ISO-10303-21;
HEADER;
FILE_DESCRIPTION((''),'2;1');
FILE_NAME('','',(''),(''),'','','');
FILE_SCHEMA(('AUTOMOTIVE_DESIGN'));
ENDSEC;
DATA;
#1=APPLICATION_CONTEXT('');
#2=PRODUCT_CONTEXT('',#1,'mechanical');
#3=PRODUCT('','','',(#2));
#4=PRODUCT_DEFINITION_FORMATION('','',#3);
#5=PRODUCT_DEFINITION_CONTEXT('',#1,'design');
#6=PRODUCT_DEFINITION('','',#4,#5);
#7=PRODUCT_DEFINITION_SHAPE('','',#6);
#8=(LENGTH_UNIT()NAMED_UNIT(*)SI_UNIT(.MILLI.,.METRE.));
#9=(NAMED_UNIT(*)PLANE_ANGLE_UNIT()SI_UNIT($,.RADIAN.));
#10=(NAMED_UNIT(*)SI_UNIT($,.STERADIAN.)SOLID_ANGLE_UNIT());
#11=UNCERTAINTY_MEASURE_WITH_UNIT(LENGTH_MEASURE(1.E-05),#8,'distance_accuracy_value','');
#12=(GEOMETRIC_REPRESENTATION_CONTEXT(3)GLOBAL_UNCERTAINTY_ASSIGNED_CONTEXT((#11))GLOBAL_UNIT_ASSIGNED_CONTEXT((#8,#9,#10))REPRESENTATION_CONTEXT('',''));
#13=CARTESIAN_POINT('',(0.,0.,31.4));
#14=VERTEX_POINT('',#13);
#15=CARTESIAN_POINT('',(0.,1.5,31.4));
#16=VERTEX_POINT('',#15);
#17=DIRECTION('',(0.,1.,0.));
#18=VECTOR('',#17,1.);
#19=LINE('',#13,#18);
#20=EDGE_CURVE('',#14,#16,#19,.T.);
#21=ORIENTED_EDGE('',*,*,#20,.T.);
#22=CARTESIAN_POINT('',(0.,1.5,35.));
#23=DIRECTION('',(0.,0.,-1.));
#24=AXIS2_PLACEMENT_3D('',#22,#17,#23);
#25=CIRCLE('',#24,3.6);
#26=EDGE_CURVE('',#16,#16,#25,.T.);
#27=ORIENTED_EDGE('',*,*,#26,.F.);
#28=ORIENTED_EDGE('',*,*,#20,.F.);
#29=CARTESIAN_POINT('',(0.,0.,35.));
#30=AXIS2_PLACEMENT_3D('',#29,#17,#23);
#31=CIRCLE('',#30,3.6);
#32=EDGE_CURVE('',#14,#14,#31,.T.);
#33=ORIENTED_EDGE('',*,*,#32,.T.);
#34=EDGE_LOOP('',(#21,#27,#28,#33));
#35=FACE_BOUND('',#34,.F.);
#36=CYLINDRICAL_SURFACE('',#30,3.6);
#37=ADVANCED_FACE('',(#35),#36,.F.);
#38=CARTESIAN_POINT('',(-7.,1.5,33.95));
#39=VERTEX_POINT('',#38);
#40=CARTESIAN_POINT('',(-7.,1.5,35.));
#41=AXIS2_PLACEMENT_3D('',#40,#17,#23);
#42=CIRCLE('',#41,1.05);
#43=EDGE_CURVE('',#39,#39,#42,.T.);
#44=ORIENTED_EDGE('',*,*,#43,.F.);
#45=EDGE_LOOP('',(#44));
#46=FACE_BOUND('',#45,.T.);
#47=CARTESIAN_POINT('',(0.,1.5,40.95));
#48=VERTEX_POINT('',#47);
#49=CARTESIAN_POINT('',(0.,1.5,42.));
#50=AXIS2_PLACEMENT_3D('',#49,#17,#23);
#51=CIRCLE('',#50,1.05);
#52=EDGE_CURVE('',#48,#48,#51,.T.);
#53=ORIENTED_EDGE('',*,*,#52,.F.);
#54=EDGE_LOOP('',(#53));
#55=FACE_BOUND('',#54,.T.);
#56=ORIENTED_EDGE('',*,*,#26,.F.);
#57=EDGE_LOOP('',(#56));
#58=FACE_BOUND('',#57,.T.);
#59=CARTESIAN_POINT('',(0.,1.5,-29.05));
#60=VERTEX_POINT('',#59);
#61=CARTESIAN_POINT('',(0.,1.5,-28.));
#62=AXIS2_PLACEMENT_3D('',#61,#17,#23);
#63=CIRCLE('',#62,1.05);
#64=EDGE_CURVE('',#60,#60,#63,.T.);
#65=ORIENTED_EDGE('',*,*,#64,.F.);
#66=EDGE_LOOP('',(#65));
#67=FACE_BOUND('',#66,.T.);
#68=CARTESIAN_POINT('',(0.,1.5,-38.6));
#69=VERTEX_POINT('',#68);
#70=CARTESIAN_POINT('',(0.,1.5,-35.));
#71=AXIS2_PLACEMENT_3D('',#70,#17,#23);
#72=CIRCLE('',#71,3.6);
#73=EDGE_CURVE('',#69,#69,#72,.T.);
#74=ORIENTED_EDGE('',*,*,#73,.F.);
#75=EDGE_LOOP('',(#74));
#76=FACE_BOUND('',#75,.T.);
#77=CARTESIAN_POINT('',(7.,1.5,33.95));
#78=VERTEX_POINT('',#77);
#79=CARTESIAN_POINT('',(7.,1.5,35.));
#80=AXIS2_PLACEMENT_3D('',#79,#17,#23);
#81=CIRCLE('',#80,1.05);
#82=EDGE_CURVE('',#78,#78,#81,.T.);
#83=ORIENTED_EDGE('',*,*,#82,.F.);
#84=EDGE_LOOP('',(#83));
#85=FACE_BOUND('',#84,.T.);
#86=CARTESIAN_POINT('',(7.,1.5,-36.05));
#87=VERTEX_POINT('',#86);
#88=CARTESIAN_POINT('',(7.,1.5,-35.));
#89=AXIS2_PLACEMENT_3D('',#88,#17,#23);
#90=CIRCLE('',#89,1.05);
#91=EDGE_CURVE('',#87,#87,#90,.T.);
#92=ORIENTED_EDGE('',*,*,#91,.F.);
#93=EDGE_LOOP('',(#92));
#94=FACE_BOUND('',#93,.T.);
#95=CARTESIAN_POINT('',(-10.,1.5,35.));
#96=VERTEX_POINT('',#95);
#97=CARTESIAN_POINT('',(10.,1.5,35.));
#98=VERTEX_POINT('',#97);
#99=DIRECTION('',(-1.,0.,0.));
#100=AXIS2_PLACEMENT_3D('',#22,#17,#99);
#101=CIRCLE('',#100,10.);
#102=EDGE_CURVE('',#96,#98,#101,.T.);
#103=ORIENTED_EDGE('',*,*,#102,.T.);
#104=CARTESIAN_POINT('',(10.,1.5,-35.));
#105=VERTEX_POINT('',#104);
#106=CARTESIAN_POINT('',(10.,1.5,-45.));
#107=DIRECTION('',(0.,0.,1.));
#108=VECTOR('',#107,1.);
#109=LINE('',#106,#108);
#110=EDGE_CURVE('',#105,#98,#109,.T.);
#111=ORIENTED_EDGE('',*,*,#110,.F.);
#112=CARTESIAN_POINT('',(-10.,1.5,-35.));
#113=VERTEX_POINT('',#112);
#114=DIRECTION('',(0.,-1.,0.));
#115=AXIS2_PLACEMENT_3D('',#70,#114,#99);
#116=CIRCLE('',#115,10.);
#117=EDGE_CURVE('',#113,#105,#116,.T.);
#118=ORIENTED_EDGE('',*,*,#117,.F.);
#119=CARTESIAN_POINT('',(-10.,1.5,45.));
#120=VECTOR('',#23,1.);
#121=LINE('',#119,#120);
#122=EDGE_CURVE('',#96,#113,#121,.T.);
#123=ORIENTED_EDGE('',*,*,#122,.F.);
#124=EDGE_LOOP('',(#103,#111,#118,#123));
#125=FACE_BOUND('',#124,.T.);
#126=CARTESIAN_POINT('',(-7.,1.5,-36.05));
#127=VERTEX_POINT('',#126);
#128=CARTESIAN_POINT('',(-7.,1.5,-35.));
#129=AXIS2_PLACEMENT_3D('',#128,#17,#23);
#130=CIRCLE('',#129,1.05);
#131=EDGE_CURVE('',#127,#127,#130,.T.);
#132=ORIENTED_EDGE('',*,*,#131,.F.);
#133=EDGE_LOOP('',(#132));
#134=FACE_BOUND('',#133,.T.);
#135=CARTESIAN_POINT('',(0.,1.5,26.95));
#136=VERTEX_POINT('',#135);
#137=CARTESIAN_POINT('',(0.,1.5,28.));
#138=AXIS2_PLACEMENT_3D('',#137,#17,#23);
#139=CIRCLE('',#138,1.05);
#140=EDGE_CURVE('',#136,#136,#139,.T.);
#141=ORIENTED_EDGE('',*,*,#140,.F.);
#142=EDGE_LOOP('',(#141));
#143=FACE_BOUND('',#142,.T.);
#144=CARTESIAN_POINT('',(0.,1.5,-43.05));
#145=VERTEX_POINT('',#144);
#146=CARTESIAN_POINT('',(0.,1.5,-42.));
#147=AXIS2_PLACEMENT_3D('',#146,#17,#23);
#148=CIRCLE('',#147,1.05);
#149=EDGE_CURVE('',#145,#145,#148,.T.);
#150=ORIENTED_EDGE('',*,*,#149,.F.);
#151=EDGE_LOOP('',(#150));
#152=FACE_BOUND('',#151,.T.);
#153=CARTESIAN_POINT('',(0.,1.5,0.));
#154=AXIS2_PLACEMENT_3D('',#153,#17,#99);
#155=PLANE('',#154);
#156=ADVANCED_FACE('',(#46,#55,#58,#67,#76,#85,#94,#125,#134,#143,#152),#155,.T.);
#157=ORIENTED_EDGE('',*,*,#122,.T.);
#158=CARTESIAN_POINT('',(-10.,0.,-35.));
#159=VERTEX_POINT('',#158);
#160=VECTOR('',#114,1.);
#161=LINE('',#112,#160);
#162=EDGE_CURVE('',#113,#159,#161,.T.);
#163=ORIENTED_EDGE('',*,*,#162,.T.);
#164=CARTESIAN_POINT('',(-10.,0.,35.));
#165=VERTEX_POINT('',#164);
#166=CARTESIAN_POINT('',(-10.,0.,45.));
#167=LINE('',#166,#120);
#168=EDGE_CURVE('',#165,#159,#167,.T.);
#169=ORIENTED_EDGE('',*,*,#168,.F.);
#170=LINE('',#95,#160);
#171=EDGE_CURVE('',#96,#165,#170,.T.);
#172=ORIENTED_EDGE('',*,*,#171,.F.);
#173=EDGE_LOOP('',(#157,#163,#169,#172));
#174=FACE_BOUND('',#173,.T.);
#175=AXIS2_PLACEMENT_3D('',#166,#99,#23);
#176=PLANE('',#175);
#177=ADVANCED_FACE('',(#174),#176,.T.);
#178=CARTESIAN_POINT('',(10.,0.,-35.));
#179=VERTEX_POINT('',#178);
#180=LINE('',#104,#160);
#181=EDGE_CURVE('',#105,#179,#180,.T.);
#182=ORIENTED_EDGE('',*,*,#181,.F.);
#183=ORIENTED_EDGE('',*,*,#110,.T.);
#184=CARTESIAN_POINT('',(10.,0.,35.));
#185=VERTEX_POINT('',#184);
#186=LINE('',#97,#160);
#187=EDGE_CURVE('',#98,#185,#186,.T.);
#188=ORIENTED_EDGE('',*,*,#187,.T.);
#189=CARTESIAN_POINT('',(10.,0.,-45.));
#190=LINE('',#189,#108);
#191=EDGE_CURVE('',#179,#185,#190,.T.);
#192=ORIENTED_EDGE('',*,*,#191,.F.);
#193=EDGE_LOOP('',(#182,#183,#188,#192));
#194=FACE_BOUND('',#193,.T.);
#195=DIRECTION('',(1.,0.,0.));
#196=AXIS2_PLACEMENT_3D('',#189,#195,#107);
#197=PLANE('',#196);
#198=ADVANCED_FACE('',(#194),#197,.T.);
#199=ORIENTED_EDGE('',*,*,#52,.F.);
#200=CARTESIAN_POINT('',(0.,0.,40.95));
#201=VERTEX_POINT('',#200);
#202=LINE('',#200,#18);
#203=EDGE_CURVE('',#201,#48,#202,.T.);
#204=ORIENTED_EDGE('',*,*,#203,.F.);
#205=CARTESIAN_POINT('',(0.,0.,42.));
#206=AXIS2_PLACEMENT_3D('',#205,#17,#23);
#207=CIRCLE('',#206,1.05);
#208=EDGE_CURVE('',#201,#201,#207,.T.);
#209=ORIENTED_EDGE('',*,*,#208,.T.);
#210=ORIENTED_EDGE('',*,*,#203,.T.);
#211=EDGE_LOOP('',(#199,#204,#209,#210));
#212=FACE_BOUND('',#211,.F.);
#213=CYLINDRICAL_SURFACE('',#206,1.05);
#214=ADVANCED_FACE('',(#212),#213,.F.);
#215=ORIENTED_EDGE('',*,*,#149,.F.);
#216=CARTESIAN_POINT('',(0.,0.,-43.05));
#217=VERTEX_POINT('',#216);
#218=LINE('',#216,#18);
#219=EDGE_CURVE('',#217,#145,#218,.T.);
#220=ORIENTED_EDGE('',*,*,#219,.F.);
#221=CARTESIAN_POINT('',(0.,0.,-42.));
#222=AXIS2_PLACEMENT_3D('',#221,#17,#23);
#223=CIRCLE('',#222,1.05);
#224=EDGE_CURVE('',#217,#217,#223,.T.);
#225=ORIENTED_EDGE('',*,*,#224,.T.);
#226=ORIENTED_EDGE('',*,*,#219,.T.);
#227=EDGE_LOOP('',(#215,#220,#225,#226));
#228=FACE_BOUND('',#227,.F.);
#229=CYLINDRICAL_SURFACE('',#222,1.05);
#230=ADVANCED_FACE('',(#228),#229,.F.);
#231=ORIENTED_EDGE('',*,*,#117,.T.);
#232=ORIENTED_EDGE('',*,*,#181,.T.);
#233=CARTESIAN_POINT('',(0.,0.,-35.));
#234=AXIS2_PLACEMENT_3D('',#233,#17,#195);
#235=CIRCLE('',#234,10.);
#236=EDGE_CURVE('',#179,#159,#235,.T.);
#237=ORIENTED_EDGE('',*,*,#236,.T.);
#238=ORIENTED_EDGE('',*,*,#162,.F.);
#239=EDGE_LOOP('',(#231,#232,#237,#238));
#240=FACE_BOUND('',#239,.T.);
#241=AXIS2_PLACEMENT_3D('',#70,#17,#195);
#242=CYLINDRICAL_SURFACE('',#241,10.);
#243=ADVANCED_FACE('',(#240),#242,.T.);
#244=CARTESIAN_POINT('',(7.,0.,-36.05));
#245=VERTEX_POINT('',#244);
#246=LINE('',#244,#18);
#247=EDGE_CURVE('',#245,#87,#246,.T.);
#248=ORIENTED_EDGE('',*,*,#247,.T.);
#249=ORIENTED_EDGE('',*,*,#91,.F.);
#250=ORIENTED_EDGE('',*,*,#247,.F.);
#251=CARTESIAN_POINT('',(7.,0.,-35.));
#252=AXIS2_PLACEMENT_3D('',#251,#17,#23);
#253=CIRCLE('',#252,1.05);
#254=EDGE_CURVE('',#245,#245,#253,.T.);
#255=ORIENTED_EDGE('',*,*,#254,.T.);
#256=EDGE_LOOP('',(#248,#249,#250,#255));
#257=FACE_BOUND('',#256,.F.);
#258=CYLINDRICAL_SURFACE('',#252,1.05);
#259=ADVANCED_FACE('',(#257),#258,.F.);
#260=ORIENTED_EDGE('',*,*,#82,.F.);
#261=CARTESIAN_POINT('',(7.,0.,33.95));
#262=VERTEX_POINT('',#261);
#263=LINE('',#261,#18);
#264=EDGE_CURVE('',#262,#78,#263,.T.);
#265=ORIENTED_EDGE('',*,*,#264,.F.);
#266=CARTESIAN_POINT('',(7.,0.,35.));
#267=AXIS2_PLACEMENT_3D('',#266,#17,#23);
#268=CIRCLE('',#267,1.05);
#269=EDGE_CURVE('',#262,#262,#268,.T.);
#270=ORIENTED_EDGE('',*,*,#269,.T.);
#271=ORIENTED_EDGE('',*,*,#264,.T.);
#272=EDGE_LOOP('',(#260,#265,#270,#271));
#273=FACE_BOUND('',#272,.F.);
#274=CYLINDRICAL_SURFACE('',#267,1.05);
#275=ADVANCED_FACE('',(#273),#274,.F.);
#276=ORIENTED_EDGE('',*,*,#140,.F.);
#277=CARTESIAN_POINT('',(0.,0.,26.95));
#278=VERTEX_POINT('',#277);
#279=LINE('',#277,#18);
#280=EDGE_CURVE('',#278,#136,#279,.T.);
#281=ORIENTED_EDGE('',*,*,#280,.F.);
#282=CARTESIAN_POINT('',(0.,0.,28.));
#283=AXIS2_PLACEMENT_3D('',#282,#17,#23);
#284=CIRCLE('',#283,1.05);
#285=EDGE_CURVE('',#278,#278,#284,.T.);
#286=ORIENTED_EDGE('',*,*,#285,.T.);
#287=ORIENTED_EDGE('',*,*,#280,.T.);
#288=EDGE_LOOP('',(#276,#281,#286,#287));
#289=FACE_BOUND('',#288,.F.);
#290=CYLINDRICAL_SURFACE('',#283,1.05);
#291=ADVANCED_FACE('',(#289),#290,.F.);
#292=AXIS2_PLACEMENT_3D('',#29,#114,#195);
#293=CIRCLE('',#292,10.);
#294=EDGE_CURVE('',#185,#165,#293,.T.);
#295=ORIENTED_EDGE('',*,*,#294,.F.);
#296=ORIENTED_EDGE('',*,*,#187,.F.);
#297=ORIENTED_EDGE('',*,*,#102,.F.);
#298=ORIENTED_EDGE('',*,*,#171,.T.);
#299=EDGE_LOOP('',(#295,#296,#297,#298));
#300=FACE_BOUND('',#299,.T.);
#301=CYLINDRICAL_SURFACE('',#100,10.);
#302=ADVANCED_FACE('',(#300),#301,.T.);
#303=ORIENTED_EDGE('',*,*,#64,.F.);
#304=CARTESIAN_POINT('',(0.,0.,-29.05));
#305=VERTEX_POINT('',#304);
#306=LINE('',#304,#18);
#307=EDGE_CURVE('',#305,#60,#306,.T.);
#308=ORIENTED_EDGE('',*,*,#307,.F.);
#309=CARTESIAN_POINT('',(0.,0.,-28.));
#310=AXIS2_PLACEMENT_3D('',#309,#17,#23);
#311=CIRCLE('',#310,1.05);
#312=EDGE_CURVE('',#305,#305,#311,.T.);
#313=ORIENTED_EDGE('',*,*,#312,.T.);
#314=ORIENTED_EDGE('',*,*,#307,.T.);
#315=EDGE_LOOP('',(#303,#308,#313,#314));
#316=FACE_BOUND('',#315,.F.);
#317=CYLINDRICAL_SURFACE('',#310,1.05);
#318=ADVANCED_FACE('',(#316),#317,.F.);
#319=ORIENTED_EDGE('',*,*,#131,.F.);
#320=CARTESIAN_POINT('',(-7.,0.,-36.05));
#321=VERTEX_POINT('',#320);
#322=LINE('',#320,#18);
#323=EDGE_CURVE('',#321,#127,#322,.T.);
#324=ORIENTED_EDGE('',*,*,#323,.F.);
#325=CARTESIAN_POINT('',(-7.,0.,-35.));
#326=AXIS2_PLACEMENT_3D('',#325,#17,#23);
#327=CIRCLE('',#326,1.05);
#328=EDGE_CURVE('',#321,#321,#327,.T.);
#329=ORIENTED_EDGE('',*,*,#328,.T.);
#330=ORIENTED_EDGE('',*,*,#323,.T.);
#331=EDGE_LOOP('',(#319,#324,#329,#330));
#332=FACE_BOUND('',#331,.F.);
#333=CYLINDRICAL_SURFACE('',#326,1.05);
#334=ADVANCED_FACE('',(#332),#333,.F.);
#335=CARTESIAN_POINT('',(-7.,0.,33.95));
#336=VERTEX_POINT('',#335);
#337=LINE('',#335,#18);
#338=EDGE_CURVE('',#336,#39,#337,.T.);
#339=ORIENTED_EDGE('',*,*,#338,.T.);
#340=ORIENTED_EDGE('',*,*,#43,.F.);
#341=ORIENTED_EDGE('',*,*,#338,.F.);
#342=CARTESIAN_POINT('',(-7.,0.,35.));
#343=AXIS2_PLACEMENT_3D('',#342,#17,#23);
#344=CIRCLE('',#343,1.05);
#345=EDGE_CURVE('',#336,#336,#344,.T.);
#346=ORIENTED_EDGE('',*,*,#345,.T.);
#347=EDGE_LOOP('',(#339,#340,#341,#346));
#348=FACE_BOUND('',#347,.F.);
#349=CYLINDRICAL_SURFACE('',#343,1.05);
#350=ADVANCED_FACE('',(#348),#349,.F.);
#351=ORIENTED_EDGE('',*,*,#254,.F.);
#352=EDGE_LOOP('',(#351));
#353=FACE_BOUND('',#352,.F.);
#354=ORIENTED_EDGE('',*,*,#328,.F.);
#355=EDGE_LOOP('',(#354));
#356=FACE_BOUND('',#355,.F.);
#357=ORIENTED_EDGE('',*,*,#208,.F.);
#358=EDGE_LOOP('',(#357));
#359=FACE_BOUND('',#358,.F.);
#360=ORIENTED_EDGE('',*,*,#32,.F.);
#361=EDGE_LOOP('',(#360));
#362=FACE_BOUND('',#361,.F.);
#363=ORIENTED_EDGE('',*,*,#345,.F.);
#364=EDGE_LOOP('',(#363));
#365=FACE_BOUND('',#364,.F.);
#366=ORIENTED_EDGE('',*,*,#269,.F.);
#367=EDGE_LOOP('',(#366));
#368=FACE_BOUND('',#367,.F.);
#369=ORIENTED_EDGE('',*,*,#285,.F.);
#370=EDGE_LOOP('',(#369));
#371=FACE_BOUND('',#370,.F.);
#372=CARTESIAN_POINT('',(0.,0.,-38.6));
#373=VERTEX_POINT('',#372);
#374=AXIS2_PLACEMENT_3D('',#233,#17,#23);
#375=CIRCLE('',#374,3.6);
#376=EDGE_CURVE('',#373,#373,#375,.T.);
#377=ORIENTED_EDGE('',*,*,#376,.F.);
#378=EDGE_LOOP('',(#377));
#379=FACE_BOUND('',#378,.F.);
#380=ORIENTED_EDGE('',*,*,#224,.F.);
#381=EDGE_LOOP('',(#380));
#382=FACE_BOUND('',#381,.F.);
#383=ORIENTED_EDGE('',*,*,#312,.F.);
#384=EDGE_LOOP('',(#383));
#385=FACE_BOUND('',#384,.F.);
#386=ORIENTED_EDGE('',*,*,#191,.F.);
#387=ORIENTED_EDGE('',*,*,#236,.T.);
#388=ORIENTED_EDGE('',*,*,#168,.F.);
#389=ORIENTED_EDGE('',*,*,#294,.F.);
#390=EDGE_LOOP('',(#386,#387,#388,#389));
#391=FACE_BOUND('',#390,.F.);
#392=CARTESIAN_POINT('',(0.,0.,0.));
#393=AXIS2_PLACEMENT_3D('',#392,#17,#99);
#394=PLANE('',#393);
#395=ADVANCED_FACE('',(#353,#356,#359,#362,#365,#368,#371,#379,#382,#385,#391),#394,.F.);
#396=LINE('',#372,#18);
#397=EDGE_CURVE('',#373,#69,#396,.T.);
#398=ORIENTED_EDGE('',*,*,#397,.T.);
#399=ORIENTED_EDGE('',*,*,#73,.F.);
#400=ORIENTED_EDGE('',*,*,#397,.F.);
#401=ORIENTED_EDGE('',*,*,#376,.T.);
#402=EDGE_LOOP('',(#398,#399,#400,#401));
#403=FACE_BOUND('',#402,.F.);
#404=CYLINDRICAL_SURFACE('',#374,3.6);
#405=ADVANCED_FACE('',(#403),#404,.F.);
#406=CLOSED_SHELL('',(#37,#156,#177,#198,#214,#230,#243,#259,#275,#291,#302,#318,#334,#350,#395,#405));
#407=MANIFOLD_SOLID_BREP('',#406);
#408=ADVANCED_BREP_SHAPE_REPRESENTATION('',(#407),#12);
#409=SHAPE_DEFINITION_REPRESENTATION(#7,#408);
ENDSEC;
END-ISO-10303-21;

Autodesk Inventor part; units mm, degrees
ref_plane "YZ Plane" through (0, 0, 0) normal (1, 0, 0) x (0, 1, 0)
ref_plane "XZ Plane" through (0, 0, 0) normal (0, 1, 0) x (-1, 0, 0)
ref_plane "XY Plane" through (0, 0, 0) normal (0, 0, 1) x (1, 0, 0)
sketch "Sketch1" plane through (0, 0, 0) normal (0, 1, 0) x (-1, 0, 0)
  line L0 (10, -45) -> (-10, -45)
  line L1 (-10, -45) -> (-10, 45)
  line L2 (-10, 45) -> (10, 45)
  line L3 (10, 45) -> (10, -45)
  point P0 (0, 0)
  dimension "d0" = 20
  dimension "d1" = 90
  dimension "d2" = 45
  dimension "d3" = 10
extrude "Plate1" add sketch "Sketch1" along normal blind 1.5
sketch "Sketch2" plane through (0, 0, 0) normal (0, -1, 0) x (1, 0, 0)
  circle A0 centre (0, 42) radius 0.7835 projected
  circle A1 centre (-7, 35) radius 0.7835 projected
  circle A2 centre (0, 28) radius 0.7835 projected
  circle A3 centre (7, 35) radius 0.7835 projected
  circle A4 centre (0, -28) radius 0.7835 projected
  circle A5 centre (-7, -35) radius 0.7835 projected
  circle A6 centre (0, -42) radius 0.7835 projected
  circle A7 centre (7, -35) radius 0.7835 projected
  point P0 (0, 0)
hole "Hole1" at (0, 0, 42) at (-7, 0, 35) at (0, 0, 28) at (7, 0, 35) at (0, 0, -28) at (-7, 0, -35) at (0, 0, -42) at (7, 0, -35) direction (0, 1, 0) diameter 2.1 depth 1.5
sketch "Sketch3" plane through (0, 1.5, 0) normal (0, 1, 0) x (1, 0, 0)
  arc A0 (10, 35) -> (-10, 35) centre (0, 35) ccw
  arc A1 (-10, -35) -> (10, -35) centre (0, -35) ccw
  line L0 (-10, 35) -> (-10, -35)
  line L1 (10, 35) -> (10, -35)
  line L2 (10, 45) -> (10, -45) projected
  line L3 (-10, 45) -> (10, 45)
  line L4 (10, 45) -> (10, -45)
  line L5 (10, -45) -> (-10, -45)
  line L6 (-10, -45) -> (-10, 45)
  point P0 (0, 0)
  point P1 (0, 45)
  point P2 (10, 35)
  point P3 (-10, -35)
  point P4 (0, -45)
  point P5 (10, -35)
  dimension "d12" = 35
  dimension "d13" = 35
  dimension "d14" = 10
  dimension "d15" = 10
  dimension "d16" = 10
  dimension "d17" = 20
  dimension "d18" = 90
extrude "Extrusion1" cut sketch "Sketch3" against normal blind 10 contours A0 L3 L2 | A0 L6 L3 | L2 L5 A1 | L5 L6 A1
sketch "Sketch4" plane through (0, 0, 0) normal (0, -1, 0) x (1, 0, 0)
  arc A0 (-10, -35) -> (10, -35) centre (0, -35) ccw projected
  arc A1 (10, 35) -> (-10, 35) centre (0, 35) ccw projected
  point P0 (0, 0)
hole "Hole2" at (0, 0, 35) at (0, 0, -35) direction (0, 1, 0) diameter 7.2 depth 1.5
equation "\"d10\" = Thickness"
equation "\"d26\" = Thickness"
equation "\"d4\" = Thickness"
equation "\"BendReliefWidth\" = Thickness"
equation "\"BendReliefDepth\" = 0.5 * Thickness"
equation "\"CornerReliefSize\" = 4 * Thickness"
equation "\"MinimumRemnant\" = 2 * Thickness"
equation "\"TransitionRadius\" = BendRadius"
equation "\"JacobiRadiusSize\" = BendRadius"
equation "\"GapSize\" = Thickness"
equation "\"Thickness\" = 1.5"
equation "\"BendRadius\" = 0.31"
properties part number "axis_10_11-connector_frame" material "Aluminum 6061-AHC"
